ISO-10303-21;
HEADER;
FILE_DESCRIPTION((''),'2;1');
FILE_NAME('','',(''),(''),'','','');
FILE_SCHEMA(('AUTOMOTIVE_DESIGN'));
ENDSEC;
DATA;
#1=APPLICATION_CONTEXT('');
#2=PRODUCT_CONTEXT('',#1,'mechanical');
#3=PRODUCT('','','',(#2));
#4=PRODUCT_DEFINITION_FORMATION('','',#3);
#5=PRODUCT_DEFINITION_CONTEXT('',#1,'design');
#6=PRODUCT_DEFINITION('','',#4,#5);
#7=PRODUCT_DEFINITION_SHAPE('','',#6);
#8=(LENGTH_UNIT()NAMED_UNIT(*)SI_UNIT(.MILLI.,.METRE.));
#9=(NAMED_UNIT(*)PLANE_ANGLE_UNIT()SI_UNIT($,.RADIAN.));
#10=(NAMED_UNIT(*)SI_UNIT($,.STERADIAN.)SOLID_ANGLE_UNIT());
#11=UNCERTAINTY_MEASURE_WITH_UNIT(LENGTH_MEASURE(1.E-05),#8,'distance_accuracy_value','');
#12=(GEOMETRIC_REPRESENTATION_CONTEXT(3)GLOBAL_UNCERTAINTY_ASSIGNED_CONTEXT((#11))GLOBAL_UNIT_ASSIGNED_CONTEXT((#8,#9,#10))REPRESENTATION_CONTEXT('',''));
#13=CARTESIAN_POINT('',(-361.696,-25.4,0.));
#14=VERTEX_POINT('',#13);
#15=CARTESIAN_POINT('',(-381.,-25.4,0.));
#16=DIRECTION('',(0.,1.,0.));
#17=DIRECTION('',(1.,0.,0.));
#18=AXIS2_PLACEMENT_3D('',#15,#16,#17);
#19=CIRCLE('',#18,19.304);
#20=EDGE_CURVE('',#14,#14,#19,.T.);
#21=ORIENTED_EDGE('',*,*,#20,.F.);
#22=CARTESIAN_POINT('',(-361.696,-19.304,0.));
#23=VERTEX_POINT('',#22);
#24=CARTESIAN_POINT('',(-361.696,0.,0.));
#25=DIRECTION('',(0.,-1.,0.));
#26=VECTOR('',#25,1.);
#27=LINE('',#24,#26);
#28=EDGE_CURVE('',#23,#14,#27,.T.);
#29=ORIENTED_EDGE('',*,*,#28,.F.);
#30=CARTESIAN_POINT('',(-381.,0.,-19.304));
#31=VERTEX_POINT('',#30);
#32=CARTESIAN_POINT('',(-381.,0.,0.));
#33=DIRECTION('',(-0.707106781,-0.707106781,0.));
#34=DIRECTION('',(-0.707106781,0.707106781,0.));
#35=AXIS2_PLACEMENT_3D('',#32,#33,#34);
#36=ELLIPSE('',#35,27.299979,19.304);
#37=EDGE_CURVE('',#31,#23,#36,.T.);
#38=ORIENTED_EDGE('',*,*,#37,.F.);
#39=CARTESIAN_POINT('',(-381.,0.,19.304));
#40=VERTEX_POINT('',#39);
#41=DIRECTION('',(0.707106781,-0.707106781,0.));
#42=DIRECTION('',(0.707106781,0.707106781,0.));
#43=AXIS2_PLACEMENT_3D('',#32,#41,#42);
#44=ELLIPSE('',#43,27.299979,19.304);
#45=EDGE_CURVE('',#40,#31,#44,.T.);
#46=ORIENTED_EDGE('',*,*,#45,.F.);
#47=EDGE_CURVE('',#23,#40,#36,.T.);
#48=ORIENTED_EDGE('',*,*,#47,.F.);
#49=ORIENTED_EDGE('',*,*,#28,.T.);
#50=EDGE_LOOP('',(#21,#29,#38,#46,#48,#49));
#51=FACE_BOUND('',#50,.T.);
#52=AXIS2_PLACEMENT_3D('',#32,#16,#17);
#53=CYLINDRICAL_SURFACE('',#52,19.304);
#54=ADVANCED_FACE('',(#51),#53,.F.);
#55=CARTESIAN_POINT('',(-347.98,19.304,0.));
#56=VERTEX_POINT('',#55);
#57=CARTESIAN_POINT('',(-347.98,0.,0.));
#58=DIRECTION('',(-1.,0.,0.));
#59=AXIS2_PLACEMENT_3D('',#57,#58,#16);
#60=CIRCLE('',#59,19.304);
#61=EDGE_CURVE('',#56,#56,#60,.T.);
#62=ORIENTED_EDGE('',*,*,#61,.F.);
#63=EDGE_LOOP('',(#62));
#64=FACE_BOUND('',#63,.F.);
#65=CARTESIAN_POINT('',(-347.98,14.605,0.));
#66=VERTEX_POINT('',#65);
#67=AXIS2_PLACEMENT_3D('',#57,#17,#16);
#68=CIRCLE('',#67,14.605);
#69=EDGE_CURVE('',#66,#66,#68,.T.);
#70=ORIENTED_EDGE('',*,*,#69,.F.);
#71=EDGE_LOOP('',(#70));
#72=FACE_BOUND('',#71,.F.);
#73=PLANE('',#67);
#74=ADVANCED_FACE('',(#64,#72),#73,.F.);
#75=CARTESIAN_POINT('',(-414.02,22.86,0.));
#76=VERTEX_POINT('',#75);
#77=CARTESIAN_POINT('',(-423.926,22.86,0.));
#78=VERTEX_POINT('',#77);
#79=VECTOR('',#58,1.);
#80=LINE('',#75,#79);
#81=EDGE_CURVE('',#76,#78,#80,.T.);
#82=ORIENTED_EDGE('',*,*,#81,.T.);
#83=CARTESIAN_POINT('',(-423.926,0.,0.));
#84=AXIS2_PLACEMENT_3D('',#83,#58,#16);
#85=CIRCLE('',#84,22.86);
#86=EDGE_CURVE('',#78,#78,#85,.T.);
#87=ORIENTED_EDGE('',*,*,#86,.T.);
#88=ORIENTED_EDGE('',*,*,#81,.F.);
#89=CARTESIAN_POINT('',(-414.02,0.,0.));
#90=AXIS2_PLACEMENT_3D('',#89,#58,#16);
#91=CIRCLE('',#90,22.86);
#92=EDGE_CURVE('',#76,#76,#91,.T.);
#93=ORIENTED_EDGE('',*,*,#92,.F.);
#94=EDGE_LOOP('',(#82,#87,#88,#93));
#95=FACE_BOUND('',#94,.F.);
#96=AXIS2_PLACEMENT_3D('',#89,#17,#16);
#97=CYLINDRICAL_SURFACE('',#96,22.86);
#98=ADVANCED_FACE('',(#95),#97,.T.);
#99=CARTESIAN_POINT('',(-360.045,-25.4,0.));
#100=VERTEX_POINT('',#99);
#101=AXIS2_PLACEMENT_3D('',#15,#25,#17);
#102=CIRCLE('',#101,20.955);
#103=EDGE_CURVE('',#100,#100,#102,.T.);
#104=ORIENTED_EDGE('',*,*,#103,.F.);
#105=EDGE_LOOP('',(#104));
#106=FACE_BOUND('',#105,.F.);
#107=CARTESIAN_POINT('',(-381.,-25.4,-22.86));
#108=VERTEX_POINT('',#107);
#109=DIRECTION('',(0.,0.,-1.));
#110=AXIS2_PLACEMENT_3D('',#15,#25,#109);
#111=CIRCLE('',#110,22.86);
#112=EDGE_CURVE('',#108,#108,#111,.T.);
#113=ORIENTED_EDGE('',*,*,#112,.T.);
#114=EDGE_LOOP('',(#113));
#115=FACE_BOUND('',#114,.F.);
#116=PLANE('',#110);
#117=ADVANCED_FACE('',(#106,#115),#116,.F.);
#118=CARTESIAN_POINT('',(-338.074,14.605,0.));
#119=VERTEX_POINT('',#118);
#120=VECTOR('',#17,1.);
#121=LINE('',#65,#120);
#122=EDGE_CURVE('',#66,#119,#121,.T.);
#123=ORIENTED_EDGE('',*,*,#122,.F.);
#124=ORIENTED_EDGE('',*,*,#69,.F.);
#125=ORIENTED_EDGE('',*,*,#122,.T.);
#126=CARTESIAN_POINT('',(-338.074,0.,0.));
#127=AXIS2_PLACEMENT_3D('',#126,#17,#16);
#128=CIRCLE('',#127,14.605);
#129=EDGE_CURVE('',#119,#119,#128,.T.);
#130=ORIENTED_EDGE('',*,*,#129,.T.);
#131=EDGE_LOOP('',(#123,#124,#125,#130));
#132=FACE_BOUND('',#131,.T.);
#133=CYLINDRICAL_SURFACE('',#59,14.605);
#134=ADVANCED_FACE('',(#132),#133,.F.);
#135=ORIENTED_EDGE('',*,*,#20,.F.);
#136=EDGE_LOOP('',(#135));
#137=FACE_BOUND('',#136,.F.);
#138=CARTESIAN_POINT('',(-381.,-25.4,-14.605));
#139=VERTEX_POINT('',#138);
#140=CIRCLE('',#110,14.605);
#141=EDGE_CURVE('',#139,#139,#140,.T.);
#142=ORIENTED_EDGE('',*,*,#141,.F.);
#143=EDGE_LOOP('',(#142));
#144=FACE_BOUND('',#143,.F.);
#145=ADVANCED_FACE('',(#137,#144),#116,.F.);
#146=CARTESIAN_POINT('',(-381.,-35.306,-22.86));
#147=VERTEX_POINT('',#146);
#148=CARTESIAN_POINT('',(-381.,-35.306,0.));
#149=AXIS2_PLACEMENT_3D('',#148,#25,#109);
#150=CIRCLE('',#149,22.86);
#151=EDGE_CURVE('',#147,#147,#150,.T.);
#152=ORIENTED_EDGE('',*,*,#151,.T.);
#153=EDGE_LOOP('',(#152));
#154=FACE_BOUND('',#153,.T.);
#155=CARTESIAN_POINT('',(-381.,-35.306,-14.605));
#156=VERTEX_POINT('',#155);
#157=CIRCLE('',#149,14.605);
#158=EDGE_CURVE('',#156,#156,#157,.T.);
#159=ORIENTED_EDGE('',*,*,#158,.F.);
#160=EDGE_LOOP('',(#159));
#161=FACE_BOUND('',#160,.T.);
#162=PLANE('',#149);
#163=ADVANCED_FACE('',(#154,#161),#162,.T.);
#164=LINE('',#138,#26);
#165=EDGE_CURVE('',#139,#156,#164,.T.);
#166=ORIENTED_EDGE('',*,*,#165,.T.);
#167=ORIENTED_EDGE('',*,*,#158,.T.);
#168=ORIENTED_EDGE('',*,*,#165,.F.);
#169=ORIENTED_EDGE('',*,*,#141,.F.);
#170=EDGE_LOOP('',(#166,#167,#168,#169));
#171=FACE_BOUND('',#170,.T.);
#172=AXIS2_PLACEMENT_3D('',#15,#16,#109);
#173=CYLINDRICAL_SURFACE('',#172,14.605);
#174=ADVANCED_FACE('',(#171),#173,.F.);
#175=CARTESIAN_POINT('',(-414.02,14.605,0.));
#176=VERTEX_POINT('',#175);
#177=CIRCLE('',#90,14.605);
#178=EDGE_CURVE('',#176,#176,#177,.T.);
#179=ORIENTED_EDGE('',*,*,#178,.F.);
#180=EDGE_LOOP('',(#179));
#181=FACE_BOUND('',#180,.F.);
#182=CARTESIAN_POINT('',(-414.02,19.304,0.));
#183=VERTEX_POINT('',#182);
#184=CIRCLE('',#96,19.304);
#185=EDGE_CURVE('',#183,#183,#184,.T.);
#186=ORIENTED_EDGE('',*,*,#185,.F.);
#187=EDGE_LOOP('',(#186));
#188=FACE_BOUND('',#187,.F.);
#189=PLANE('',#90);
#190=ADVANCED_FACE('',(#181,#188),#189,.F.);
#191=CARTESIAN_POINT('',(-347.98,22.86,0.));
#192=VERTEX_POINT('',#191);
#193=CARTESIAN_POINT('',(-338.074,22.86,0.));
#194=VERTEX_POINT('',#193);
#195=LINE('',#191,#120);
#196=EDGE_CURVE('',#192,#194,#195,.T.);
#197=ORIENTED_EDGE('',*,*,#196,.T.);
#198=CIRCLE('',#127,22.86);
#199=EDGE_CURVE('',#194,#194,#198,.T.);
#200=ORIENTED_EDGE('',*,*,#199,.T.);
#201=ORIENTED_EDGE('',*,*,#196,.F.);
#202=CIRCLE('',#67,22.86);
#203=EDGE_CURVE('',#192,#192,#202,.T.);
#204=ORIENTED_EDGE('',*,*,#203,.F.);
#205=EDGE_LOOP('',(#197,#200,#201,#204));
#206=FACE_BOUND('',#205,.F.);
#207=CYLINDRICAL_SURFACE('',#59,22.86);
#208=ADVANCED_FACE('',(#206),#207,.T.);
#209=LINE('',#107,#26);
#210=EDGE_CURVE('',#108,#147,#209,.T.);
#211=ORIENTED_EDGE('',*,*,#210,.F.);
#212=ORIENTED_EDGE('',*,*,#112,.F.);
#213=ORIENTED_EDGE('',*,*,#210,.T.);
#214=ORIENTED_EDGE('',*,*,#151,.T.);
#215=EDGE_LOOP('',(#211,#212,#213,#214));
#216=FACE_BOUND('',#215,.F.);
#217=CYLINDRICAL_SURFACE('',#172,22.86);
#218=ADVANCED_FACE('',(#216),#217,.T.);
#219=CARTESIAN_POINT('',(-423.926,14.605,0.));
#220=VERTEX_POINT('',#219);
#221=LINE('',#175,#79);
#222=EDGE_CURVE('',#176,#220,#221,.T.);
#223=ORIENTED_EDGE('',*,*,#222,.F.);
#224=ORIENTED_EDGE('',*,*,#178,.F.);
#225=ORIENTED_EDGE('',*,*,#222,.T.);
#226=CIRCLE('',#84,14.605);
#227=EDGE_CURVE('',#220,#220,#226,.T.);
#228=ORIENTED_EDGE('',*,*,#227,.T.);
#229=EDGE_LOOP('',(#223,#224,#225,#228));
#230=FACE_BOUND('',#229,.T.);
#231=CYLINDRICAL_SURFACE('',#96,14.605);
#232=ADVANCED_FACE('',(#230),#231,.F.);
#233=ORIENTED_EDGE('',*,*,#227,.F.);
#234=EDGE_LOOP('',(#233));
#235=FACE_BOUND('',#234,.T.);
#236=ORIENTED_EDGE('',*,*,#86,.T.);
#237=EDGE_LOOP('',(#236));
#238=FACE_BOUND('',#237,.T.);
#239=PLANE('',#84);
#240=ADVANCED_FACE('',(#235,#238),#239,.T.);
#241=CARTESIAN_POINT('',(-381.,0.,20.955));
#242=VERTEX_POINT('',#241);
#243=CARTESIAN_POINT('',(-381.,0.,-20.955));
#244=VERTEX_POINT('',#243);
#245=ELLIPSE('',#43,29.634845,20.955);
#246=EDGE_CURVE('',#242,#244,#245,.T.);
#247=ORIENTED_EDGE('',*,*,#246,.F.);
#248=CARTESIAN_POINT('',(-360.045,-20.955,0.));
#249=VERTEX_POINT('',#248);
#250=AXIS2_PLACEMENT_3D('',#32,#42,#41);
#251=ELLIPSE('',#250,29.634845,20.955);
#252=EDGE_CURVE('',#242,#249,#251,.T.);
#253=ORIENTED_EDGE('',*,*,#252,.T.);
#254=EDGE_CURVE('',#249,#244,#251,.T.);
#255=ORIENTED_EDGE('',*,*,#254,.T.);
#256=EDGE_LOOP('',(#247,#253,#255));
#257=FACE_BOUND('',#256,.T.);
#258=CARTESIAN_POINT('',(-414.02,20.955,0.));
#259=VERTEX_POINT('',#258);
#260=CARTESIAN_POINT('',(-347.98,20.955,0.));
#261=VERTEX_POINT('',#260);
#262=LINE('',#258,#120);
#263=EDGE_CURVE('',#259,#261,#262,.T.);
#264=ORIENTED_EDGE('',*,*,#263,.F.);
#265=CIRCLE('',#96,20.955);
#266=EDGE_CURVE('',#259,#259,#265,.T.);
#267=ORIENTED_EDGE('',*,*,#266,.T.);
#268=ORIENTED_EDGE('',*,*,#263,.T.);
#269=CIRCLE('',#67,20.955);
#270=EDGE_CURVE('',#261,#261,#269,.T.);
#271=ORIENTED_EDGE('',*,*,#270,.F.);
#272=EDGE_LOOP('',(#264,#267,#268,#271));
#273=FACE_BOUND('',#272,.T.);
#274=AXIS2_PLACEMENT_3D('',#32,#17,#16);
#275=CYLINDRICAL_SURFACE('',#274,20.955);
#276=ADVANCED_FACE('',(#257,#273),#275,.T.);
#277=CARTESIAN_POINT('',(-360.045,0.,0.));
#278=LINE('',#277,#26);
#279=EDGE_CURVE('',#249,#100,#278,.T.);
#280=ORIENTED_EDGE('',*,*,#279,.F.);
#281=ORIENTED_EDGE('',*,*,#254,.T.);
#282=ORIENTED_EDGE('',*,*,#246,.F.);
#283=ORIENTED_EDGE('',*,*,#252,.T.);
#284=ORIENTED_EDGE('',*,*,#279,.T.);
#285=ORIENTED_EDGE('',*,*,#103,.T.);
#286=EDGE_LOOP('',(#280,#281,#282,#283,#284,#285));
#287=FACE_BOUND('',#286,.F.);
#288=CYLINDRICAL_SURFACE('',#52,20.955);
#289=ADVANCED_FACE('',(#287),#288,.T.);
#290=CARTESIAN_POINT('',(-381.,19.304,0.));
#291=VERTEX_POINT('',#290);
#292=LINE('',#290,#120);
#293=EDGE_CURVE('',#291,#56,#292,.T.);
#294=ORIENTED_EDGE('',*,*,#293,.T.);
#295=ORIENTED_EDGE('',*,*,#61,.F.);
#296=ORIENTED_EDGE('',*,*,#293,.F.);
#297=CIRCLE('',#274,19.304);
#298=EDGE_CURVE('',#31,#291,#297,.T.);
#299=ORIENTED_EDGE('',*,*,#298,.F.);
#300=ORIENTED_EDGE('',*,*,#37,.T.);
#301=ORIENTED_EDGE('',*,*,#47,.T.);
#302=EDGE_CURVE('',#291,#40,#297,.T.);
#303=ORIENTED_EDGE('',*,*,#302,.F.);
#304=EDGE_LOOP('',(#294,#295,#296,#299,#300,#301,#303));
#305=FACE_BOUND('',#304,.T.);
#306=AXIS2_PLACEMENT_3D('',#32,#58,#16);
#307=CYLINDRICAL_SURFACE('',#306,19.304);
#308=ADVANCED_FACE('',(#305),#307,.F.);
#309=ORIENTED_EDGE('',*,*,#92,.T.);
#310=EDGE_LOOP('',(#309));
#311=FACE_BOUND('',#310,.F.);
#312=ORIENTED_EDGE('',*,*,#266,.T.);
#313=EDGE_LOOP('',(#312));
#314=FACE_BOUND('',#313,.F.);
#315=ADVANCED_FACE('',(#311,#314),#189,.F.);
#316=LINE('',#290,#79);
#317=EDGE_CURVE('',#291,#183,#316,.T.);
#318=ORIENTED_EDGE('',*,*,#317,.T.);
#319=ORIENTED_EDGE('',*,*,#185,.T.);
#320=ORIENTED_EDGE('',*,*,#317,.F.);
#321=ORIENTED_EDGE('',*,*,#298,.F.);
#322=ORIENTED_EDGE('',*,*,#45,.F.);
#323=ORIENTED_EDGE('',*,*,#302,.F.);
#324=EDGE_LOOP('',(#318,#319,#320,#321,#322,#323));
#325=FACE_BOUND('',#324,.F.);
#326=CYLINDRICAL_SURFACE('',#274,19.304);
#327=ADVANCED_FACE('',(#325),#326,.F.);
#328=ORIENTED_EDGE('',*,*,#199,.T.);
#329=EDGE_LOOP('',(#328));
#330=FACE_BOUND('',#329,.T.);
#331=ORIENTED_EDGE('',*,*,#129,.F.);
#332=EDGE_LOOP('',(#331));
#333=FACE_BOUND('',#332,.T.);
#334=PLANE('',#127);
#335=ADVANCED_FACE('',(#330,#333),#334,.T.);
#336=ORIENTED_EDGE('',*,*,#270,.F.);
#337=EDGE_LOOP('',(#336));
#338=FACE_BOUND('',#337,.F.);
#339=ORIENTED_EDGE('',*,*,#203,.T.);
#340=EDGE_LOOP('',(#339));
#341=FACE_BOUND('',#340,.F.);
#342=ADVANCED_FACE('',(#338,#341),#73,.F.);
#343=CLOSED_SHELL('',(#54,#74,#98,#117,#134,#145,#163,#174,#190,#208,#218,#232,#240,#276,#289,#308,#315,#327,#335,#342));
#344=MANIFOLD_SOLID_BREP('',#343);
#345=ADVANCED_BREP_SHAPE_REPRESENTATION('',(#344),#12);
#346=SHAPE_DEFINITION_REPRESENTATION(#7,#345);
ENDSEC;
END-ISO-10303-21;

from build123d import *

# Parameters (mm, degrees)
SKETCH047_R          = 20.955
PAD005_DEPTH         = 33.02
SKETCH048_R          = 20.955
PAD006_DEPTH         = 25.4
SKETCH050_R          = 19.304
POCKET005_DEPTH      = 33.021
POCKET005_DEPTH_BACK = 33.021
SKETCH049_R          = 19.304
POCKET006_DEPTH      = 25.401
SKETCH051_R          = 22.86
SKETCH051_R_2        = 14.605
PAD007_DEPTH         = 9.906
SKETCH052_R          = 22.86
SKETCH052_R_2        = 14.605
PAD008_DEPTH         = 9.906
SKETCH053_R          = 22.86
SKETCH053_R_2        = 14.605
PAD009_DEPTH         = 9.906


with BuildPart() as part:
    # Sketch047 → Pad005 (new body, symmetric)
    with BuildSketch(Plane.YZ):
        Circle(SKETCH047_R)
    extrude(amount=PAD005_DEPTH, both=True)

    # Sketch048 → Pad006 (join)
    with BuildSketch(Plane.XZ):
        Circle(SKETCH048_R)
    extrude(amount=PAD006_DEPTH)

    # Sketch050 → Pocket005 (cut, two sides)
    with BuildSketch(Plane.YZ) as pocket005_sk:
        Circle(SKETCH050_R)
    extrude(amount=-POCKET005_DEPTH, mode=Mode.SUBTRACT)
    extrude(pocket005_sk.sketch, amount=POCKET005_DEPTH_BACK, mode=Mode.SUBTRACT)

    # Sketch049 → Pocket006 (cut, through all)
    with BuildSketch(Plane.XZ):
        Circle(SKETCH049_R)
    extrude(amount=POCKET006_DEPTH, mode=Mode.SUBTRACT)

    # Sketch051 (on Face6 of Pocket006) → Pad007 (join)
    with BuildSketch(Plane(origin=(0, -25.4, 0), x_dir=(0, 0, -1), z_dir=(0, -1, 0))):
        Circle(SKETCH051_R)
        Circle(SKETCH051_R_2, mode=Mode.SUBTRACT)
    extrude(amount=PAD007_DEPTH)

    # Sketch052 (on Face8 of Pad007) → Pad008 (join)
    with BuildSketch(Plane(origin=(-33.02, 0, 0), x_dir=(0, 1, 0), z_dir=(-1, 0, 0))):
        Circle(SKETCH052_R)
        Circle(SKETCH052_R_2, mode=Mode.SUBTRACT)
    extrude(amount=PAD008_DEPTH)

    # Sketch053 (on Face6 of Pad008) → Pad009 (join)
    with BuildSketch(Plane.YZ.offset(33.02)):
        Circle(SKETCH053_R)
        Circle(SKETCH053_R_2, mode=Mode.SUBTRACT)
    extrude(amount=PAD009_DEPTH)


with BuildPart() as part_1:
    # Body013 placement: moved
    add(part.part.moved(Location((-381, 0, 0))))


solid = part_1.part
